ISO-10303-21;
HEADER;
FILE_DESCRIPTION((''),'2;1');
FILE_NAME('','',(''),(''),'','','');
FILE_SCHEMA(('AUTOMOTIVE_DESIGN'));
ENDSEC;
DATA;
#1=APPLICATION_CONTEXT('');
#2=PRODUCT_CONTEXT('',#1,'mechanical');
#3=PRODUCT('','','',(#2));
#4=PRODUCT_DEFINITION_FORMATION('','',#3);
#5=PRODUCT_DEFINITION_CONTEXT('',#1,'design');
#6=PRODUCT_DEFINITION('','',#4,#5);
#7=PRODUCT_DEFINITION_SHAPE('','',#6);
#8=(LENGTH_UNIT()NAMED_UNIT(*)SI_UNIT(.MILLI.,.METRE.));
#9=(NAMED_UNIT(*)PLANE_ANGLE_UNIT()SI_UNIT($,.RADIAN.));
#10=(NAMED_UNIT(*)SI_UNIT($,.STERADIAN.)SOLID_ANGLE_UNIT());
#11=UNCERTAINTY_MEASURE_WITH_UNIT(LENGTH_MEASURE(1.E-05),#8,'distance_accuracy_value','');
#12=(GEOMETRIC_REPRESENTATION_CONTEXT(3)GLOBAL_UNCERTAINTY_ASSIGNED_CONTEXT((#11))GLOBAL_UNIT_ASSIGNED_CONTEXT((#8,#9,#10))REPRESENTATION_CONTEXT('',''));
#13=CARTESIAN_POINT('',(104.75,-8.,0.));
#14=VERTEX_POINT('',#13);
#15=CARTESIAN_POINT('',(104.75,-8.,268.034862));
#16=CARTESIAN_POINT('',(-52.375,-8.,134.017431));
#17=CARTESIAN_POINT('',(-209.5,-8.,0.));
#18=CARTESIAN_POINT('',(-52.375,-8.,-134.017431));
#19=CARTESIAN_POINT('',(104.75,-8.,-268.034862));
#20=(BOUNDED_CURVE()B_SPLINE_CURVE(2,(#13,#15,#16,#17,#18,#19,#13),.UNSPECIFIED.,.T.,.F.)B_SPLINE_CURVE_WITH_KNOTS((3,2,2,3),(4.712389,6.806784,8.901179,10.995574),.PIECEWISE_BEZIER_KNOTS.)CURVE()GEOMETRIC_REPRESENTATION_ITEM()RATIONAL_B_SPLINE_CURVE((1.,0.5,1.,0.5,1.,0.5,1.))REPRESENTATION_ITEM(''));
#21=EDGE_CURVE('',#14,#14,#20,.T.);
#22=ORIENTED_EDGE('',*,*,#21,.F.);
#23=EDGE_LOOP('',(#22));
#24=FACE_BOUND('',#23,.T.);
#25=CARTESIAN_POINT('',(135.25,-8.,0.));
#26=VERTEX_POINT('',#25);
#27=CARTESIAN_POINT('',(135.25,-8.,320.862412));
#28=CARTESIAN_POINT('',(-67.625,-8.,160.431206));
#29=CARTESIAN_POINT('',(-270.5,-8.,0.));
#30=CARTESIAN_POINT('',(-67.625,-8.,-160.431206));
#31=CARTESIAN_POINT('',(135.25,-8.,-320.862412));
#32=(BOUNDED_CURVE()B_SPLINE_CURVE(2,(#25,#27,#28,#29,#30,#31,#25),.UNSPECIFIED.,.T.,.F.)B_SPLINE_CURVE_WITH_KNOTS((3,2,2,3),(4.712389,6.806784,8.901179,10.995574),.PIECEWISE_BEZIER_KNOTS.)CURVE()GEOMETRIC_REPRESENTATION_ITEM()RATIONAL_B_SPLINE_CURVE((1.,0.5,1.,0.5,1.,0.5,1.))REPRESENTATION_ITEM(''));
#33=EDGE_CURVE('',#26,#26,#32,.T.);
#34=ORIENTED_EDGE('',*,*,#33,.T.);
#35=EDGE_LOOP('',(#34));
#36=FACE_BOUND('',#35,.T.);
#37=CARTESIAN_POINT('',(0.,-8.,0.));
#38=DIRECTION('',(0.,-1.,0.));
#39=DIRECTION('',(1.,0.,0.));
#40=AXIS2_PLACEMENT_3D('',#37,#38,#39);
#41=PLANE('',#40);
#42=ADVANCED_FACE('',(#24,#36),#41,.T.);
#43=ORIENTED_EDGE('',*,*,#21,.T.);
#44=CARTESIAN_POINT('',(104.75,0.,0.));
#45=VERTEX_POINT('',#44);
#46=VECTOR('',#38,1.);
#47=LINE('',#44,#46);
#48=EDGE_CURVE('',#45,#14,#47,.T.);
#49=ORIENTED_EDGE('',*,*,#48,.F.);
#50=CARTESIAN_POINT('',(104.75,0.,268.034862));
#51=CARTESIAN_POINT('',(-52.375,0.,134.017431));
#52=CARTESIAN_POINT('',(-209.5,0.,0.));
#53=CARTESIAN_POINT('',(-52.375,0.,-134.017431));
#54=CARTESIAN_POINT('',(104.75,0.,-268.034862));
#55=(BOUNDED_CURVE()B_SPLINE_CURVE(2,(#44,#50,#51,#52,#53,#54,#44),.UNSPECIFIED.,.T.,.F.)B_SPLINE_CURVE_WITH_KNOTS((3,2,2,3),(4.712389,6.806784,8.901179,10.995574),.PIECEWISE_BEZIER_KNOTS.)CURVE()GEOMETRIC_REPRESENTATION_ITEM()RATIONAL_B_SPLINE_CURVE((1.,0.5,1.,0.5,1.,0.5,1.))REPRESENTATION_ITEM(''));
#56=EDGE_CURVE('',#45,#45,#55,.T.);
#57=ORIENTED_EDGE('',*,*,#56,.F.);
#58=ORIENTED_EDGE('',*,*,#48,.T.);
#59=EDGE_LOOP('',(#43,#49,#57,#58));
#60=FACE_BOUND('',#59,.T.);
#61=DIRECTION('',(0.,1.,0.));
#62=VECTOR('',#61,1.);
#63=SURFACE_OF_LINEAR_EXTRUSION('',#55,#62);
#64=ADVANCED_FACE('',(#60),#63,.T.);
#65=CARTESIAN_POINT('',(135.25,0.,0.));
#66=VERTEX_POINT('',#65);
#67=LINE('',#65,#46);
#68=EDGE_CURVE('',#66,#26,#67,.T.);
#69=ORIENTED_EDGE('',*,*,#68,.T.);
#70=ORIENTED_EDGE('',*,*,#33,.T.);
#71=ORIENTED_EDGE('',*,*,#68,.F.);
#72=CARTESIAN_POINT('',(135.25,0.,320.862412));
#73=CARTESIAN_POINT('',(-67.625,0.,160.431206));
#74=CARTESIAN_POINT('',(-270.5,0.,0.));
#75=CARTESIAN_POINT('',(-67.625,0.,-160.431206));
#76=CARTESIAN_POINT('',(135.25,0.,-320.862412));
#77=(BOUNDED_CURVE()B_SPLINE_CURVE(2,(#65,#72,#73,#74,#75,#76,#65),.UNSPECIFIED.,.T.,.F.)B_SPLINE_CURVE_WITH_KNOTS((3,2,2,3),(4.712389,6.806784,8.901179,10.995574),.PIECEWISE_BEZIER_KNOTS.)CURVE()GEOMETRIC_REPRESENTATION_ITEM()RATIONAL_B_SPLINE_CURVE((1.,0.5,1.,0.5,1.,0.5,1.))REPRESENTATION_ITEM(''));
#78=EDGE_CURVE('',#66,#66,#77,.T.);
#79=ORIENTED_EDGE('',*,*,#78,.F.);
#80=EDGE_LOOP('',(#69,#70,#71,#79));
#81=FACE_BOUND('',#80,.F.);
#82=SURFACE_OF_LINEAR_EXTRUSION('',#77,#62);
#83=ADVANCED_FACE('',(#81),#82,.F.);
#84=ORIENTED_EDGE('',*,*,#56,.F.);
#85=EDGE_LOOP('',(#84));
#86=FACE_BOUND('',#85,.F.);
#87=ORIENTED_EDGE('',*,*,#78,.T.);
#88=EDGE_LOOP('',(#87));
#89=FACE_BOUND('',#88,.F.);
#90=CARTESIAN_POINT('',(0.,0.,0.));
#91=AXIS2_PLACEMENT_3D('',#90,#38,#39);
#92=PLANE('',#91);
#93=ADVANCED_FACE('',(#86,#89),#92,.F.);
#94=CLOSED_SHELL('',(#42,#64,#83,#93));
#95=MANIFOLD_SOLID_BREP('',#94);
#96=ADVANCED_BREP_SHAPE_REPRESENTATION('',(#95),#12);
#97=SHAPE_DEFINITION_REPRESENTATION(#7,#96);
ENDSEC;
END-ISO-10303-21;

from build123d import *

# Parameters (mm, degrees)
F1_DEPTH = 8


with BuildPart() as f1:
    # F0 (on Front) → F1 (new body)
    with BuildSketch(Plane.XZ):
        with BuildLine():
            add(Edge.make_bspline(
                [(135.25, 0), (135.25, 320.862412), (-67.625, 160.431206), (-270.5, 0), (-67.625, -160.431206), (135.25, -320.862412), (135.25, 0)],
                knots=[4.712389, 4.712389, 4.712389, 6.806784, 6.806784, 8.901179, 8.901179, 10.995574, 10.995574, 10.995574], degree=2, weights=[1, 0.5, 1, 0.5, 1, 0.5, 1]))
        make_face()
        with BuildLine():
            add(Edge.make_bspline(
                [(104.75, 0), (104.75, 268.034862), (-52.375, 134.017431), (-209.5, 0), (-52.375, -134.017431), (104.75, -268.034862), (104.75, 0)],
                knots=[4.712389, 4.712389, 4.712389, 6.806784, 6.806784, 8.901179, 8.901179, 10.995574, 10.995574, 10.995574], degree=2, weights=[1, 0.5, 1, 0.5, 1, 0.5, 1]))
        make_face(mode=Mode.SUBTRACT)
    extrude(amount=F1_DEPTH)


solid = f1.part
